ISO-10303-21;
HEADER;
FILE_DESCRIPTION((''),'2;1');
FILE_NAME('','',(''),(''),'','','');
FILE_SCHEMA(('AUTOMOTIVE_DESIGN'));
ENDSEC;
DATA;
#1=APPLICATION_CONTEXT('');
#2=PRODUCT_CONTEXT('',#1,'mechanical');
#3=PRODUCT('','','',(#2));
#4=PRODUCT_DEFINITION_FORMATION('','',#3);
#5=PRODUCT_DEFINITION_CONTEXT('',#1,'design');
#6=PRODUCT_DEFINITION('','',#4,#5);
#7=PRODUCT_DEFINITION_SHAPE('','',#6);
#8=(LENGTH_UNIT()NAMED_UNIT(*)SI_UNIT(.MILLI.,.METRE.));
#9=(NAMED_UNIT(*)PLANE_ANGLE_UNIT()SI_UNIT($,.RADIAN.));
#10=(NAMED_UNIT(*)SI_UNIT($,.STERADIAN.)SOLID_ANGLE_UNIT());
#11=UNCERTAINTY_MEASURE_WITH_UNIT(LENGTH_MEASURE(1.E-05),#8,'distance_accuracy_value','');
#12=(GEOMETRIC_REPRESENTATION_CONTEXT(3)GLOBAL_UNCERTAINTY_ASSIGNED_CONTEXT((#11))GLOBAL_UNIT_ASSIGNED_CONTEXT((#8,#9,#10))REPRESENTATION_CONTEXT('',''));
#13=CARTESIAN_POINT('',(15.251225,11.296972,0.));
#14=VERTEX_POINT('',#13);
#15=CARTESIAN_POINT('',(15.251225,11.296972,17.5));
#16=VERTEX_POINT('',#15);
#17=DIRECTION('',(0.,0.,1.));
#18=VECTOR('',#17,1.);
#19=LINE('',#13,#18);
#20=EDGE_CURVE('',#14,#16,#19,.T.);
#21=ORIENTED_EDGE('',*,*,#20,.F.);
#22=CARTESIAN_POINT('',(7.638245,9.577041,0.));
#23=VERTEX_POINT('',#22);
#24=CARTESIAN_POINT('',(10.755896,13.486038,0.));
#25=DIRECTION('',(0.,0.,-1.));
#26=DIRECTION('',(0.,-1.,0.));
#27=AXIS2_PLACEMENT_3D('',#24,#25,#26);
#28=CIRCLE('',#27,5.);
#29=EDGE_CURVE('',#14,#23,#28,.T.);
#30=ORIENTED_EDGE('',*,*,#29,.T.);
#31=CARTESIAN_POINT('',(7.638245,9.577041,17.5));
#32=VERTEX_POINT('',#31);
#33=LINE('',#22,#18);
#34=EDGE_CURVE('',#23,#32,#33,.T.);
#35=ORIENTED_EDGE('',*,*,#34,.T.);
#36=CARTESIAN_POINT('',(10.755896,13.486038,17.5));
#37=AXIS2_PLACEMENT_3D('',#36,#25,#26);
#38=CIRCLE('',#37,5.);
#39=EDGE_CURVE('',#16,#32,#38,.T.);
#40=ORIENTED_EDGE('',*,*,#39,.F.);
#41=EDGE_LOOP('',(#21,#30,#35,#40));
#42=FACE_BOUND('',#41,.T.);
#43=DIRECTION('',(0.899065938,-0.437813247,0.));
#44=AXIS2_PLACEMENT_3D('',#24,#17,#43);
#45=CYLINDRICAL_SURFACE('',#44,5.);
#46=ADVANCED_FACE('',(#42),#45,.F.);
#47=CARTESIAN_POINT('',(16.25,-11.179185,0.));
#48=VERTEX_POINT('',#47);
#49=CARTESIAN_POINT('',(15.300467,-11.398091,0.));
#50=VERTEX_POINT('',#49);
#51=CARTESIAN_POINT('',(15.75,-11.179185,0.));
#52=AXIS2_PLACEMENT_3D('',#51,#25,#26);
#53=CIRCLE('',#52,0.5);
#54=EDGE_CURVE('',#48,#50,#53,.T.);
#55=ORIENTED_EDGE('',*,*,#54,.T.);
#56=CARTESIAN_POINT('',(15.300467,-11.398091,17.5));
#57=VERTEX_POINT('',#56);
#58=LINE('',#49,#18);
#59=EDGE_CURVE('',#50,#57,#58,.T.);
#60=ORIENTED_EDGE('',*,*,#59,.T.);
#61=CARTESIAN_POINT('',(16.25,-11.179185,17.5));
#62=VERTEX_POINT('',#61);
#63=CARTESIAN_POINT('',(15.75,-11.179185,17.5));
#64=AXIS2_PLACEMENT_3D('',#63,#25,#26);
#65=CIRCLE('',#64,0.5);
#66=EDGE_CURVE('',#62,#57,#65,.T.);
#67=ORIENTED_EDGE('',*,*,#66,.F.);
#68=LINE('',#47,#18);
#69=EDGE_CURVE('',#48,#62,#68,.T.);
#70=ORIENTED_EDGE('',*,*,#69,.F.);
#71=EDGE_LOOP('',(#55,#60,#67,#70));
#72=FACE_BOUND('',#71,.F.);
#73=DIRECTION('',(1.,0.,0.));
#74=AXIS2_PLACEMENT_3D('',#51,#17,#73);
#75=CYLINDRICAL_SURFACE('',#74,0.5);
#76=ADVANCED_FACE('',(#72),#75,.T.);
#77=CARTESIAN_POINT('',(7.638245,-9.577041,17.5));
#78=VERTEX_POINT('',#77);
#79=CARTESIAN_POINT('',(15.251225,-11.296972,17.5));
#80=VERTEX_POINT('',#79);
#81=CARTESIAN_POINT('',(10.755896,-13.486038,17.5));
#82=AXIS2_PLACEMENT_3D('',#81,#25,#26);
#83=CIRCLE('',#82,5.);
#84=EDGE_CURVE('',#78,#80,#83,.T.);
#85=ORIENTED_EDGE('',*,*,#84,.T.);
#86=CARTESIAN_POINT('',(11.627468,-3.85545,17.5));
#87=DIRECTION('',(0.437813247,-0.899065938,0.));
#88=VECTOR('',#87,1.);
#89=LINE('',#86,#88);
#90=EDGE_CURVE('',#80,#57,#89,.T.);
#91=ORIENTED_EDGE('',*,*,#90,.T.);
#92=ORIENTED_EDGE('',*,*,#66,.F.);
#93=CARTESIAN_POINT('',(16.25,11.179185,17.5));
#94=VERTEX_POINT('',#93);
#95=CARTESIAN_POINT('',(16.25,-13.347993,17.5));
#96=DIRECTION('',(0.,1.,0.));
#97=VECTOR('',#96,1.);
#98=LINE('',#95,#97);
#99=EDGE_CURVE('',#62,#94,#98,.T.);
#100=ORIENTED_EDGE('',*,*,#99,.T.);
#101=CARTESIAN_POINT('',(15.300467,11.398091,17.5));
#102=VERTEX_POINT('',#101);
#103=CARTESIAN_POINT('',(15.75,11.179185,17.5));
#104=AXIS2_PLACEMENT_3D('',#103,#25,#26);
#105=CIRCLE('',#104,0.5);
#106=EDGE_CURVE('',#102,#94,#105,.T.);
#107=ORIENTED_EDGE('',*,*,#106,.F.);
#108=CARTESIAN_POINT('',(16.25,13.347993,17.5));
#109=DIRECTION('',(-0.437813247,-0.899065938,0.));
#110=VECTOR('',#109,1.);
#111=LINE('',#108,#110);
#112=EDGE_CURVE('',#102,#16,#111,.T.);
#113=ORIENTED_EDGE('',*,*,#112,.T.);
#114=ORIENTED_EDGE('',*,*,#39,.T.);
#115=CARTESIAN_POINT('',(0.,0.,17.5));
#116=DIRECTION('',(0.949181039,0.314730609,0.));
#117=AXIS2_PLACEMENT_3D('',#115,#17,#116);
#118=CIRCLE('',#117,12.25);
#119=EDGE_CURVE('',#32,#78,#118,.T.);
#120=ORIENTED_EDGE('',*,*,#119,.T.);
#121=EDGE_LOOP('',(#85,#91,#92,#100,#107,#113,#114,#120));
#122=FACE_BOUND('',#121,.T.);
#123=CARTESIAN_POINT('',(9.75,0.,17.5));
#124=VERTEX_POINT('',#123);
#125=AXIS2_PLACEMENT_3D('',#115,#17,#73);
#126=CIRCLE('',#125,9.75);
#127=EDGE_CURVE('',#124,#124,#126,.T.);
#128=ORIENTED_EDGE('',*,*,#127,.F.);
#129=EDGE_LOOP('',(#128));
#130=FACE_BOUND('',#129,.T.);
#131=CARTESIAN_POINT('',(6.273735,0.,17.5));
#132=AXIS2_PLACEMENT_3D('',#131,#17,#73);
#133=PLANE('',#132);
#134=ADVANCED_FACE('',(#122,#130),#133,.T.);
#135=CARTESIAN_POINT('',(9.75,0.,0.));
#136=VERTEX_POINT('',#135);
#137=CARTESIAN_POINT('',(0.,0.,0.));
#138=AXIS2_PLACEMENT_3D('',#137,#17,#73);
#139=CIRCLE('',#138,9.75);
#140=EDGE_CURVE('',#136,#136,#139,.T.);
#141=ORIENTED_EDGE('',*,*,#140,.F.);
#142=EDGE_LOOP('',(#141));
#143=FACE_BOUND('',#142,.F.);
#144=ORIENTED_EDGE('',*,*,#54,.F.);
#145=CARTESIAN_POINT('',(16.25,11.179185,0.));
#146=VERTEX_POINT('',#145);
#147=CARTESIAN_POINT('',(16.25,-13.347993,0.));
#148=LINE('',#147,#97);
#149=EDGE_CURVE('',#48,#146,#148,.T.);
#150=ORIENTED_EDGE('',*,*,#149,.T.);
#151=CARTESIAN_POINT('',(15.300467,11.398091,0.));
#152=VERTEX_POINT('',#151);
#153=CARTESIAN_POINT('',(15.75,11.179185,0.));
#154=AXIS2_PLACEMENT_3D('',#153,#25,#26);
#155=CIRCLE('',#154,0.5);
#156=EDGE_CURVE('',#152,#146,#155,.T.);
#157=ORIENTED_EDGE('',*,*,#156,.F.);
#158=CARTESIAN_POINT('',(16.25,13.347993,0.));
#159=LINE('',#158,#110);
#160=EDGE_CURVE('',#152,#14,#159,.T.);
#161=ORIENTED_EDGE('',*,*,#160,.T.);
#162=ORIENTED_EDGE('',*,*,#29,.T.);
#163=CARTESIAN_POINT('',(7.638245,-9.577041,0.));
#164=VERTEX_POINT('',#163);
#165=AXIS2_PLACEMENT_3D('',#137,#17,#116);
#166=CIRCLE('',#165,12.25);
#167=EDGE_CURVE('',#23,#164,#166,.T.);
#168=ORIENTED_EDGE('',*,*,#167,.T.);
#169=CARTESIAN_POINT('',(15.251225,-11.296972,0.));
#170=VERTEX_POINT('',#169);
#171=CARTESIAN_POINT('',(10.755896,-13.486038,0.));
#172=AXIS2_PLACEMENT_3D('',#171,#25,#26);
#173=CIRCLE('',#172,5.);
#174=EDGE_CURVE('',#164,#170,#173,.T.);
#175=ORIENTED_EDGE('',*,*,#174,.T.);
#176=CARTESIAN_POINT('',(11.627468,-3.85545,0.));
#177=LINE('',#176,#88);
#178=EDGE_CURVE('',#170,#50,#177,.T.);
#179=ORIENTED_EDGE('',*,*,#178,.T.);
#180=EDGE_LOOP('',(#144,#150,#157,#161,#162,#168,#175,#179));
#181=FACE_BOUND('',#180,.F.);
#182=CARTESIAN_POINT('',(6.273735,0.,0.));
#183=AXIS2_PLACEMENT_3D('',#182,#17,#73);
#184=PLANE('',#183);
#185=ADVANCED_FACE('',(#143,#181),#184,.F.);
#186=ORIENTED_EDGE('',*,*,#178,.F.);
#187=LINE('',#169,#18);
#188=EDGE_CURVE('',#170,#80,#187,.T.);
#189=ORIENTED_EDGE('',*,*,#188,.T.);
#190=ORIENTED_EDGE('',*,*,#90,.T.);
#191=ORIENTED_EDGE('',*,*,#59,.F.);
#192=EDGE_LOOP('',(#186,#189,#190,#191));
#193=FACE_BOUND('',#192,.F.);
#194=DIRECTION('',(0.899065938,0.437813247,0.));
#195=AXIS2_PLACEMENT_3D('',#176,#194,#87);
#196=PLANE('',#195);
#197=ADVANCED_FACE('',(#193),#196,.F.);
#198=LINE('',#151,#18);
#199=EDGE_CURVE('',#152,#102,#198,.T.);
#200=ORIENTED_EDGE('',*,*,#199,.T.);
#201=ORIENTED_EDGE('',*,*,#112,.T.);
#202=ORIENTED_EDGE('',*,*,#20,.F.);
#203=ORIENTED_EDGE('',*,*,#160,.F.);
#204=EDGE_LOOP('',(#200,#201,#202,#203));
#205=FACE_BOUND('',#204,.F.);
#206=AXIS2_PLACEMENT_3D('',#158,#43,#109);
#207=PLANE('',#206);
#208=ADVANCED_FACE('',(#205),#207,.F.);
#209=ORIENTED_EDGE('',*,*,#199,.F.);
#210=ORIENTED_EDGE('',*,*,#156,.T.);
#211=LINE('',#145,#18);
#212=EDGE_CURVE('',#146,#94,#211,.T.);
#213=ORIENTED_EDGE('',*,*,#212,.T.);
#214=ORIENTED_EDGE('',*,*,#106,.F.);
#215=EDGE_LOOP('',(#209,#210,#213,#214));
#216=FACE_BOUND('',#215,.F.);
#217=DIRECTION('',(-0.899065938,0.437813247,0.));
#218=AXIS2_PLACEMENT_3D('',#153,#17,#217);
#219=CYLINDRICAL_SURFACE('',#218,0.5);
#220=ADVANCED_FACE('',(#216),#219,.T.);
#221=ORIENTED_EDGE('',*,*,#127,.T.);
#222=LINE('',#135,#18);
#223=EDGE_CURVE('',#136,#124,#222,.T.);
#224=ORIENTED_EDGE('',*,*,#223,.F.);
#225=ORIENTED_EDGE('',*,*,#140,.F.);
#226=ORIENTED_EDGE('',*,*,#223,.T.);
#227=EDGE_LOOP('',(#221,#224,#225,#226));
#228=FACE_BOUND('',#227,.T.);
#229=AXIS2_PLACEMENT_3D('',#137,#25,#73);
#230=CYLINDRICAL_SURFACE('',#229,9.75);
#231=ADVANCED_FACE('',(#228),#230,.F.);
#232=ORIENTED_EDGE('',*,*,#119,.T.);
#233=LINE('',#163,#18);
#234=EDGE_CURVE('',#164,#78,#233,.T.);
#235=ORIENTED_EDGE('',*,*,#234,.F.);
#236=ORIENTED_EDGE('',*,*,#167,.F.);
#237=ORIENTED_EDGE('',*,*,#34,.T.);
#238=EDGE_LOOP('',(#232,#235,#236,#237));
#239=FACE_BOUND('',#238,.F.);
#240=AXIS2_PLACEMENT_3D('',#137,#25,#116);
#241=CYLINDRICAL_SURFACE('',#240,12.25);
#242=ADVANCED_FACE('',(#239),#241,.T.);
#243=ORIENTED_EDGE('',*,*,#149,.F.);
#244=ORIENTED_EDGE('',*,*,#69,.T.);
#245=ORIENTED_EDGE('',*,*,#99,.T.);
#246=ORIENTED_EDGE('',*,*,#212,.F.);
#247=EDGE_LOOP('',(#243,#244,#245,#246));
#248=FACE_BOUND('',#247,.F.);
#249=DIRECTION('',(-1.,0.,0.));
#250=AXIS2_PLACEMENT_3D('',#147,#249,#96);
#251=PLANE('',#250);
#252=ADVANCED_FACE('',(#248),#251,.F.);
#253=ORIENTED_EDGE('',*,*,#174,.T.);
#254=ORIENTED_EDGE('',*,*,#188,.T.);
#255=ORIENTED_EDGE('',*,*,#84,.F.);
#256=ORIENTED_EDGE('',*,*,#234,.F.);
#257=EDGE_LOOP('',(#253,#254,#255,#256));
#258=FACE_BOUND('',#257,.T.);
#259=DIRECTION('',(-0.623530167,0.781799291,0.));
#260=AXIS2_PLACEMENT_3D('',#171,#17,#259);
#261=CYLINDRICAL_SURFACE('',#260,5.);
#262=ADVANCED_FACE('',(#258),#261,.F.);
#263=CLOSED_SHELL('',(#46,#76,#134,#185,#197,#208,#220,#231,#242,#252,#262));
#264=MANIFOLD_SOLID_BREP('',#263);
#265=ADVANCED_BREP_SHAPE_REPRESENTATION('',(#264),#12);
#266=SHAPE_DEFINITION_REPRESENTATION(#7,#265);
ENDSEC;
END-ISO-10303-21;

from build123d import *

# Parameters (mm, degrees)
F0_R     = 9.75
F1_DEPTH = 17.5
F2_R     = 5
F3_R     = 0.5


with BuildPart() as f1:
    # F0 (on Top) → F1 (new body)
    with BuildSketch(Plane.XY):
        with BuildLine():
            Line((16.25, 13.347993), (11.627468, 3.85545))
            ThreePointArc((11.627468, 3.85545), (-12.25, 0), (11.627468, -3.85545))
            Line((11.627468, -3.85545), (16.25, -13.347993))
            Line((16.25, -13.347993), (16.25, 13.347993))
        make_face()
        Circle(F0_R, mode=Mode.SUBTRACT)
    extrude(amount=F1_DEPTH)

    # F2
    f2_edges = [f1.edges().sort_by_distance(p)[0] for p in [
        (11.627468, -3.85545, 8.75),
        (11.627468, 3.85545, 8.75),
    ]]
    fillet(f2_edges, radius=F2_R)

    # F3
    f3_edges = [f1.edges().sort_by_distance(p)[0] for p in [
        (16.25, 13.347993, 8.75),
        (16.25, -13.347993, 8.75),
    ]]
    fillet(f3_edges, radius=F3_R)


solid = f1.part
